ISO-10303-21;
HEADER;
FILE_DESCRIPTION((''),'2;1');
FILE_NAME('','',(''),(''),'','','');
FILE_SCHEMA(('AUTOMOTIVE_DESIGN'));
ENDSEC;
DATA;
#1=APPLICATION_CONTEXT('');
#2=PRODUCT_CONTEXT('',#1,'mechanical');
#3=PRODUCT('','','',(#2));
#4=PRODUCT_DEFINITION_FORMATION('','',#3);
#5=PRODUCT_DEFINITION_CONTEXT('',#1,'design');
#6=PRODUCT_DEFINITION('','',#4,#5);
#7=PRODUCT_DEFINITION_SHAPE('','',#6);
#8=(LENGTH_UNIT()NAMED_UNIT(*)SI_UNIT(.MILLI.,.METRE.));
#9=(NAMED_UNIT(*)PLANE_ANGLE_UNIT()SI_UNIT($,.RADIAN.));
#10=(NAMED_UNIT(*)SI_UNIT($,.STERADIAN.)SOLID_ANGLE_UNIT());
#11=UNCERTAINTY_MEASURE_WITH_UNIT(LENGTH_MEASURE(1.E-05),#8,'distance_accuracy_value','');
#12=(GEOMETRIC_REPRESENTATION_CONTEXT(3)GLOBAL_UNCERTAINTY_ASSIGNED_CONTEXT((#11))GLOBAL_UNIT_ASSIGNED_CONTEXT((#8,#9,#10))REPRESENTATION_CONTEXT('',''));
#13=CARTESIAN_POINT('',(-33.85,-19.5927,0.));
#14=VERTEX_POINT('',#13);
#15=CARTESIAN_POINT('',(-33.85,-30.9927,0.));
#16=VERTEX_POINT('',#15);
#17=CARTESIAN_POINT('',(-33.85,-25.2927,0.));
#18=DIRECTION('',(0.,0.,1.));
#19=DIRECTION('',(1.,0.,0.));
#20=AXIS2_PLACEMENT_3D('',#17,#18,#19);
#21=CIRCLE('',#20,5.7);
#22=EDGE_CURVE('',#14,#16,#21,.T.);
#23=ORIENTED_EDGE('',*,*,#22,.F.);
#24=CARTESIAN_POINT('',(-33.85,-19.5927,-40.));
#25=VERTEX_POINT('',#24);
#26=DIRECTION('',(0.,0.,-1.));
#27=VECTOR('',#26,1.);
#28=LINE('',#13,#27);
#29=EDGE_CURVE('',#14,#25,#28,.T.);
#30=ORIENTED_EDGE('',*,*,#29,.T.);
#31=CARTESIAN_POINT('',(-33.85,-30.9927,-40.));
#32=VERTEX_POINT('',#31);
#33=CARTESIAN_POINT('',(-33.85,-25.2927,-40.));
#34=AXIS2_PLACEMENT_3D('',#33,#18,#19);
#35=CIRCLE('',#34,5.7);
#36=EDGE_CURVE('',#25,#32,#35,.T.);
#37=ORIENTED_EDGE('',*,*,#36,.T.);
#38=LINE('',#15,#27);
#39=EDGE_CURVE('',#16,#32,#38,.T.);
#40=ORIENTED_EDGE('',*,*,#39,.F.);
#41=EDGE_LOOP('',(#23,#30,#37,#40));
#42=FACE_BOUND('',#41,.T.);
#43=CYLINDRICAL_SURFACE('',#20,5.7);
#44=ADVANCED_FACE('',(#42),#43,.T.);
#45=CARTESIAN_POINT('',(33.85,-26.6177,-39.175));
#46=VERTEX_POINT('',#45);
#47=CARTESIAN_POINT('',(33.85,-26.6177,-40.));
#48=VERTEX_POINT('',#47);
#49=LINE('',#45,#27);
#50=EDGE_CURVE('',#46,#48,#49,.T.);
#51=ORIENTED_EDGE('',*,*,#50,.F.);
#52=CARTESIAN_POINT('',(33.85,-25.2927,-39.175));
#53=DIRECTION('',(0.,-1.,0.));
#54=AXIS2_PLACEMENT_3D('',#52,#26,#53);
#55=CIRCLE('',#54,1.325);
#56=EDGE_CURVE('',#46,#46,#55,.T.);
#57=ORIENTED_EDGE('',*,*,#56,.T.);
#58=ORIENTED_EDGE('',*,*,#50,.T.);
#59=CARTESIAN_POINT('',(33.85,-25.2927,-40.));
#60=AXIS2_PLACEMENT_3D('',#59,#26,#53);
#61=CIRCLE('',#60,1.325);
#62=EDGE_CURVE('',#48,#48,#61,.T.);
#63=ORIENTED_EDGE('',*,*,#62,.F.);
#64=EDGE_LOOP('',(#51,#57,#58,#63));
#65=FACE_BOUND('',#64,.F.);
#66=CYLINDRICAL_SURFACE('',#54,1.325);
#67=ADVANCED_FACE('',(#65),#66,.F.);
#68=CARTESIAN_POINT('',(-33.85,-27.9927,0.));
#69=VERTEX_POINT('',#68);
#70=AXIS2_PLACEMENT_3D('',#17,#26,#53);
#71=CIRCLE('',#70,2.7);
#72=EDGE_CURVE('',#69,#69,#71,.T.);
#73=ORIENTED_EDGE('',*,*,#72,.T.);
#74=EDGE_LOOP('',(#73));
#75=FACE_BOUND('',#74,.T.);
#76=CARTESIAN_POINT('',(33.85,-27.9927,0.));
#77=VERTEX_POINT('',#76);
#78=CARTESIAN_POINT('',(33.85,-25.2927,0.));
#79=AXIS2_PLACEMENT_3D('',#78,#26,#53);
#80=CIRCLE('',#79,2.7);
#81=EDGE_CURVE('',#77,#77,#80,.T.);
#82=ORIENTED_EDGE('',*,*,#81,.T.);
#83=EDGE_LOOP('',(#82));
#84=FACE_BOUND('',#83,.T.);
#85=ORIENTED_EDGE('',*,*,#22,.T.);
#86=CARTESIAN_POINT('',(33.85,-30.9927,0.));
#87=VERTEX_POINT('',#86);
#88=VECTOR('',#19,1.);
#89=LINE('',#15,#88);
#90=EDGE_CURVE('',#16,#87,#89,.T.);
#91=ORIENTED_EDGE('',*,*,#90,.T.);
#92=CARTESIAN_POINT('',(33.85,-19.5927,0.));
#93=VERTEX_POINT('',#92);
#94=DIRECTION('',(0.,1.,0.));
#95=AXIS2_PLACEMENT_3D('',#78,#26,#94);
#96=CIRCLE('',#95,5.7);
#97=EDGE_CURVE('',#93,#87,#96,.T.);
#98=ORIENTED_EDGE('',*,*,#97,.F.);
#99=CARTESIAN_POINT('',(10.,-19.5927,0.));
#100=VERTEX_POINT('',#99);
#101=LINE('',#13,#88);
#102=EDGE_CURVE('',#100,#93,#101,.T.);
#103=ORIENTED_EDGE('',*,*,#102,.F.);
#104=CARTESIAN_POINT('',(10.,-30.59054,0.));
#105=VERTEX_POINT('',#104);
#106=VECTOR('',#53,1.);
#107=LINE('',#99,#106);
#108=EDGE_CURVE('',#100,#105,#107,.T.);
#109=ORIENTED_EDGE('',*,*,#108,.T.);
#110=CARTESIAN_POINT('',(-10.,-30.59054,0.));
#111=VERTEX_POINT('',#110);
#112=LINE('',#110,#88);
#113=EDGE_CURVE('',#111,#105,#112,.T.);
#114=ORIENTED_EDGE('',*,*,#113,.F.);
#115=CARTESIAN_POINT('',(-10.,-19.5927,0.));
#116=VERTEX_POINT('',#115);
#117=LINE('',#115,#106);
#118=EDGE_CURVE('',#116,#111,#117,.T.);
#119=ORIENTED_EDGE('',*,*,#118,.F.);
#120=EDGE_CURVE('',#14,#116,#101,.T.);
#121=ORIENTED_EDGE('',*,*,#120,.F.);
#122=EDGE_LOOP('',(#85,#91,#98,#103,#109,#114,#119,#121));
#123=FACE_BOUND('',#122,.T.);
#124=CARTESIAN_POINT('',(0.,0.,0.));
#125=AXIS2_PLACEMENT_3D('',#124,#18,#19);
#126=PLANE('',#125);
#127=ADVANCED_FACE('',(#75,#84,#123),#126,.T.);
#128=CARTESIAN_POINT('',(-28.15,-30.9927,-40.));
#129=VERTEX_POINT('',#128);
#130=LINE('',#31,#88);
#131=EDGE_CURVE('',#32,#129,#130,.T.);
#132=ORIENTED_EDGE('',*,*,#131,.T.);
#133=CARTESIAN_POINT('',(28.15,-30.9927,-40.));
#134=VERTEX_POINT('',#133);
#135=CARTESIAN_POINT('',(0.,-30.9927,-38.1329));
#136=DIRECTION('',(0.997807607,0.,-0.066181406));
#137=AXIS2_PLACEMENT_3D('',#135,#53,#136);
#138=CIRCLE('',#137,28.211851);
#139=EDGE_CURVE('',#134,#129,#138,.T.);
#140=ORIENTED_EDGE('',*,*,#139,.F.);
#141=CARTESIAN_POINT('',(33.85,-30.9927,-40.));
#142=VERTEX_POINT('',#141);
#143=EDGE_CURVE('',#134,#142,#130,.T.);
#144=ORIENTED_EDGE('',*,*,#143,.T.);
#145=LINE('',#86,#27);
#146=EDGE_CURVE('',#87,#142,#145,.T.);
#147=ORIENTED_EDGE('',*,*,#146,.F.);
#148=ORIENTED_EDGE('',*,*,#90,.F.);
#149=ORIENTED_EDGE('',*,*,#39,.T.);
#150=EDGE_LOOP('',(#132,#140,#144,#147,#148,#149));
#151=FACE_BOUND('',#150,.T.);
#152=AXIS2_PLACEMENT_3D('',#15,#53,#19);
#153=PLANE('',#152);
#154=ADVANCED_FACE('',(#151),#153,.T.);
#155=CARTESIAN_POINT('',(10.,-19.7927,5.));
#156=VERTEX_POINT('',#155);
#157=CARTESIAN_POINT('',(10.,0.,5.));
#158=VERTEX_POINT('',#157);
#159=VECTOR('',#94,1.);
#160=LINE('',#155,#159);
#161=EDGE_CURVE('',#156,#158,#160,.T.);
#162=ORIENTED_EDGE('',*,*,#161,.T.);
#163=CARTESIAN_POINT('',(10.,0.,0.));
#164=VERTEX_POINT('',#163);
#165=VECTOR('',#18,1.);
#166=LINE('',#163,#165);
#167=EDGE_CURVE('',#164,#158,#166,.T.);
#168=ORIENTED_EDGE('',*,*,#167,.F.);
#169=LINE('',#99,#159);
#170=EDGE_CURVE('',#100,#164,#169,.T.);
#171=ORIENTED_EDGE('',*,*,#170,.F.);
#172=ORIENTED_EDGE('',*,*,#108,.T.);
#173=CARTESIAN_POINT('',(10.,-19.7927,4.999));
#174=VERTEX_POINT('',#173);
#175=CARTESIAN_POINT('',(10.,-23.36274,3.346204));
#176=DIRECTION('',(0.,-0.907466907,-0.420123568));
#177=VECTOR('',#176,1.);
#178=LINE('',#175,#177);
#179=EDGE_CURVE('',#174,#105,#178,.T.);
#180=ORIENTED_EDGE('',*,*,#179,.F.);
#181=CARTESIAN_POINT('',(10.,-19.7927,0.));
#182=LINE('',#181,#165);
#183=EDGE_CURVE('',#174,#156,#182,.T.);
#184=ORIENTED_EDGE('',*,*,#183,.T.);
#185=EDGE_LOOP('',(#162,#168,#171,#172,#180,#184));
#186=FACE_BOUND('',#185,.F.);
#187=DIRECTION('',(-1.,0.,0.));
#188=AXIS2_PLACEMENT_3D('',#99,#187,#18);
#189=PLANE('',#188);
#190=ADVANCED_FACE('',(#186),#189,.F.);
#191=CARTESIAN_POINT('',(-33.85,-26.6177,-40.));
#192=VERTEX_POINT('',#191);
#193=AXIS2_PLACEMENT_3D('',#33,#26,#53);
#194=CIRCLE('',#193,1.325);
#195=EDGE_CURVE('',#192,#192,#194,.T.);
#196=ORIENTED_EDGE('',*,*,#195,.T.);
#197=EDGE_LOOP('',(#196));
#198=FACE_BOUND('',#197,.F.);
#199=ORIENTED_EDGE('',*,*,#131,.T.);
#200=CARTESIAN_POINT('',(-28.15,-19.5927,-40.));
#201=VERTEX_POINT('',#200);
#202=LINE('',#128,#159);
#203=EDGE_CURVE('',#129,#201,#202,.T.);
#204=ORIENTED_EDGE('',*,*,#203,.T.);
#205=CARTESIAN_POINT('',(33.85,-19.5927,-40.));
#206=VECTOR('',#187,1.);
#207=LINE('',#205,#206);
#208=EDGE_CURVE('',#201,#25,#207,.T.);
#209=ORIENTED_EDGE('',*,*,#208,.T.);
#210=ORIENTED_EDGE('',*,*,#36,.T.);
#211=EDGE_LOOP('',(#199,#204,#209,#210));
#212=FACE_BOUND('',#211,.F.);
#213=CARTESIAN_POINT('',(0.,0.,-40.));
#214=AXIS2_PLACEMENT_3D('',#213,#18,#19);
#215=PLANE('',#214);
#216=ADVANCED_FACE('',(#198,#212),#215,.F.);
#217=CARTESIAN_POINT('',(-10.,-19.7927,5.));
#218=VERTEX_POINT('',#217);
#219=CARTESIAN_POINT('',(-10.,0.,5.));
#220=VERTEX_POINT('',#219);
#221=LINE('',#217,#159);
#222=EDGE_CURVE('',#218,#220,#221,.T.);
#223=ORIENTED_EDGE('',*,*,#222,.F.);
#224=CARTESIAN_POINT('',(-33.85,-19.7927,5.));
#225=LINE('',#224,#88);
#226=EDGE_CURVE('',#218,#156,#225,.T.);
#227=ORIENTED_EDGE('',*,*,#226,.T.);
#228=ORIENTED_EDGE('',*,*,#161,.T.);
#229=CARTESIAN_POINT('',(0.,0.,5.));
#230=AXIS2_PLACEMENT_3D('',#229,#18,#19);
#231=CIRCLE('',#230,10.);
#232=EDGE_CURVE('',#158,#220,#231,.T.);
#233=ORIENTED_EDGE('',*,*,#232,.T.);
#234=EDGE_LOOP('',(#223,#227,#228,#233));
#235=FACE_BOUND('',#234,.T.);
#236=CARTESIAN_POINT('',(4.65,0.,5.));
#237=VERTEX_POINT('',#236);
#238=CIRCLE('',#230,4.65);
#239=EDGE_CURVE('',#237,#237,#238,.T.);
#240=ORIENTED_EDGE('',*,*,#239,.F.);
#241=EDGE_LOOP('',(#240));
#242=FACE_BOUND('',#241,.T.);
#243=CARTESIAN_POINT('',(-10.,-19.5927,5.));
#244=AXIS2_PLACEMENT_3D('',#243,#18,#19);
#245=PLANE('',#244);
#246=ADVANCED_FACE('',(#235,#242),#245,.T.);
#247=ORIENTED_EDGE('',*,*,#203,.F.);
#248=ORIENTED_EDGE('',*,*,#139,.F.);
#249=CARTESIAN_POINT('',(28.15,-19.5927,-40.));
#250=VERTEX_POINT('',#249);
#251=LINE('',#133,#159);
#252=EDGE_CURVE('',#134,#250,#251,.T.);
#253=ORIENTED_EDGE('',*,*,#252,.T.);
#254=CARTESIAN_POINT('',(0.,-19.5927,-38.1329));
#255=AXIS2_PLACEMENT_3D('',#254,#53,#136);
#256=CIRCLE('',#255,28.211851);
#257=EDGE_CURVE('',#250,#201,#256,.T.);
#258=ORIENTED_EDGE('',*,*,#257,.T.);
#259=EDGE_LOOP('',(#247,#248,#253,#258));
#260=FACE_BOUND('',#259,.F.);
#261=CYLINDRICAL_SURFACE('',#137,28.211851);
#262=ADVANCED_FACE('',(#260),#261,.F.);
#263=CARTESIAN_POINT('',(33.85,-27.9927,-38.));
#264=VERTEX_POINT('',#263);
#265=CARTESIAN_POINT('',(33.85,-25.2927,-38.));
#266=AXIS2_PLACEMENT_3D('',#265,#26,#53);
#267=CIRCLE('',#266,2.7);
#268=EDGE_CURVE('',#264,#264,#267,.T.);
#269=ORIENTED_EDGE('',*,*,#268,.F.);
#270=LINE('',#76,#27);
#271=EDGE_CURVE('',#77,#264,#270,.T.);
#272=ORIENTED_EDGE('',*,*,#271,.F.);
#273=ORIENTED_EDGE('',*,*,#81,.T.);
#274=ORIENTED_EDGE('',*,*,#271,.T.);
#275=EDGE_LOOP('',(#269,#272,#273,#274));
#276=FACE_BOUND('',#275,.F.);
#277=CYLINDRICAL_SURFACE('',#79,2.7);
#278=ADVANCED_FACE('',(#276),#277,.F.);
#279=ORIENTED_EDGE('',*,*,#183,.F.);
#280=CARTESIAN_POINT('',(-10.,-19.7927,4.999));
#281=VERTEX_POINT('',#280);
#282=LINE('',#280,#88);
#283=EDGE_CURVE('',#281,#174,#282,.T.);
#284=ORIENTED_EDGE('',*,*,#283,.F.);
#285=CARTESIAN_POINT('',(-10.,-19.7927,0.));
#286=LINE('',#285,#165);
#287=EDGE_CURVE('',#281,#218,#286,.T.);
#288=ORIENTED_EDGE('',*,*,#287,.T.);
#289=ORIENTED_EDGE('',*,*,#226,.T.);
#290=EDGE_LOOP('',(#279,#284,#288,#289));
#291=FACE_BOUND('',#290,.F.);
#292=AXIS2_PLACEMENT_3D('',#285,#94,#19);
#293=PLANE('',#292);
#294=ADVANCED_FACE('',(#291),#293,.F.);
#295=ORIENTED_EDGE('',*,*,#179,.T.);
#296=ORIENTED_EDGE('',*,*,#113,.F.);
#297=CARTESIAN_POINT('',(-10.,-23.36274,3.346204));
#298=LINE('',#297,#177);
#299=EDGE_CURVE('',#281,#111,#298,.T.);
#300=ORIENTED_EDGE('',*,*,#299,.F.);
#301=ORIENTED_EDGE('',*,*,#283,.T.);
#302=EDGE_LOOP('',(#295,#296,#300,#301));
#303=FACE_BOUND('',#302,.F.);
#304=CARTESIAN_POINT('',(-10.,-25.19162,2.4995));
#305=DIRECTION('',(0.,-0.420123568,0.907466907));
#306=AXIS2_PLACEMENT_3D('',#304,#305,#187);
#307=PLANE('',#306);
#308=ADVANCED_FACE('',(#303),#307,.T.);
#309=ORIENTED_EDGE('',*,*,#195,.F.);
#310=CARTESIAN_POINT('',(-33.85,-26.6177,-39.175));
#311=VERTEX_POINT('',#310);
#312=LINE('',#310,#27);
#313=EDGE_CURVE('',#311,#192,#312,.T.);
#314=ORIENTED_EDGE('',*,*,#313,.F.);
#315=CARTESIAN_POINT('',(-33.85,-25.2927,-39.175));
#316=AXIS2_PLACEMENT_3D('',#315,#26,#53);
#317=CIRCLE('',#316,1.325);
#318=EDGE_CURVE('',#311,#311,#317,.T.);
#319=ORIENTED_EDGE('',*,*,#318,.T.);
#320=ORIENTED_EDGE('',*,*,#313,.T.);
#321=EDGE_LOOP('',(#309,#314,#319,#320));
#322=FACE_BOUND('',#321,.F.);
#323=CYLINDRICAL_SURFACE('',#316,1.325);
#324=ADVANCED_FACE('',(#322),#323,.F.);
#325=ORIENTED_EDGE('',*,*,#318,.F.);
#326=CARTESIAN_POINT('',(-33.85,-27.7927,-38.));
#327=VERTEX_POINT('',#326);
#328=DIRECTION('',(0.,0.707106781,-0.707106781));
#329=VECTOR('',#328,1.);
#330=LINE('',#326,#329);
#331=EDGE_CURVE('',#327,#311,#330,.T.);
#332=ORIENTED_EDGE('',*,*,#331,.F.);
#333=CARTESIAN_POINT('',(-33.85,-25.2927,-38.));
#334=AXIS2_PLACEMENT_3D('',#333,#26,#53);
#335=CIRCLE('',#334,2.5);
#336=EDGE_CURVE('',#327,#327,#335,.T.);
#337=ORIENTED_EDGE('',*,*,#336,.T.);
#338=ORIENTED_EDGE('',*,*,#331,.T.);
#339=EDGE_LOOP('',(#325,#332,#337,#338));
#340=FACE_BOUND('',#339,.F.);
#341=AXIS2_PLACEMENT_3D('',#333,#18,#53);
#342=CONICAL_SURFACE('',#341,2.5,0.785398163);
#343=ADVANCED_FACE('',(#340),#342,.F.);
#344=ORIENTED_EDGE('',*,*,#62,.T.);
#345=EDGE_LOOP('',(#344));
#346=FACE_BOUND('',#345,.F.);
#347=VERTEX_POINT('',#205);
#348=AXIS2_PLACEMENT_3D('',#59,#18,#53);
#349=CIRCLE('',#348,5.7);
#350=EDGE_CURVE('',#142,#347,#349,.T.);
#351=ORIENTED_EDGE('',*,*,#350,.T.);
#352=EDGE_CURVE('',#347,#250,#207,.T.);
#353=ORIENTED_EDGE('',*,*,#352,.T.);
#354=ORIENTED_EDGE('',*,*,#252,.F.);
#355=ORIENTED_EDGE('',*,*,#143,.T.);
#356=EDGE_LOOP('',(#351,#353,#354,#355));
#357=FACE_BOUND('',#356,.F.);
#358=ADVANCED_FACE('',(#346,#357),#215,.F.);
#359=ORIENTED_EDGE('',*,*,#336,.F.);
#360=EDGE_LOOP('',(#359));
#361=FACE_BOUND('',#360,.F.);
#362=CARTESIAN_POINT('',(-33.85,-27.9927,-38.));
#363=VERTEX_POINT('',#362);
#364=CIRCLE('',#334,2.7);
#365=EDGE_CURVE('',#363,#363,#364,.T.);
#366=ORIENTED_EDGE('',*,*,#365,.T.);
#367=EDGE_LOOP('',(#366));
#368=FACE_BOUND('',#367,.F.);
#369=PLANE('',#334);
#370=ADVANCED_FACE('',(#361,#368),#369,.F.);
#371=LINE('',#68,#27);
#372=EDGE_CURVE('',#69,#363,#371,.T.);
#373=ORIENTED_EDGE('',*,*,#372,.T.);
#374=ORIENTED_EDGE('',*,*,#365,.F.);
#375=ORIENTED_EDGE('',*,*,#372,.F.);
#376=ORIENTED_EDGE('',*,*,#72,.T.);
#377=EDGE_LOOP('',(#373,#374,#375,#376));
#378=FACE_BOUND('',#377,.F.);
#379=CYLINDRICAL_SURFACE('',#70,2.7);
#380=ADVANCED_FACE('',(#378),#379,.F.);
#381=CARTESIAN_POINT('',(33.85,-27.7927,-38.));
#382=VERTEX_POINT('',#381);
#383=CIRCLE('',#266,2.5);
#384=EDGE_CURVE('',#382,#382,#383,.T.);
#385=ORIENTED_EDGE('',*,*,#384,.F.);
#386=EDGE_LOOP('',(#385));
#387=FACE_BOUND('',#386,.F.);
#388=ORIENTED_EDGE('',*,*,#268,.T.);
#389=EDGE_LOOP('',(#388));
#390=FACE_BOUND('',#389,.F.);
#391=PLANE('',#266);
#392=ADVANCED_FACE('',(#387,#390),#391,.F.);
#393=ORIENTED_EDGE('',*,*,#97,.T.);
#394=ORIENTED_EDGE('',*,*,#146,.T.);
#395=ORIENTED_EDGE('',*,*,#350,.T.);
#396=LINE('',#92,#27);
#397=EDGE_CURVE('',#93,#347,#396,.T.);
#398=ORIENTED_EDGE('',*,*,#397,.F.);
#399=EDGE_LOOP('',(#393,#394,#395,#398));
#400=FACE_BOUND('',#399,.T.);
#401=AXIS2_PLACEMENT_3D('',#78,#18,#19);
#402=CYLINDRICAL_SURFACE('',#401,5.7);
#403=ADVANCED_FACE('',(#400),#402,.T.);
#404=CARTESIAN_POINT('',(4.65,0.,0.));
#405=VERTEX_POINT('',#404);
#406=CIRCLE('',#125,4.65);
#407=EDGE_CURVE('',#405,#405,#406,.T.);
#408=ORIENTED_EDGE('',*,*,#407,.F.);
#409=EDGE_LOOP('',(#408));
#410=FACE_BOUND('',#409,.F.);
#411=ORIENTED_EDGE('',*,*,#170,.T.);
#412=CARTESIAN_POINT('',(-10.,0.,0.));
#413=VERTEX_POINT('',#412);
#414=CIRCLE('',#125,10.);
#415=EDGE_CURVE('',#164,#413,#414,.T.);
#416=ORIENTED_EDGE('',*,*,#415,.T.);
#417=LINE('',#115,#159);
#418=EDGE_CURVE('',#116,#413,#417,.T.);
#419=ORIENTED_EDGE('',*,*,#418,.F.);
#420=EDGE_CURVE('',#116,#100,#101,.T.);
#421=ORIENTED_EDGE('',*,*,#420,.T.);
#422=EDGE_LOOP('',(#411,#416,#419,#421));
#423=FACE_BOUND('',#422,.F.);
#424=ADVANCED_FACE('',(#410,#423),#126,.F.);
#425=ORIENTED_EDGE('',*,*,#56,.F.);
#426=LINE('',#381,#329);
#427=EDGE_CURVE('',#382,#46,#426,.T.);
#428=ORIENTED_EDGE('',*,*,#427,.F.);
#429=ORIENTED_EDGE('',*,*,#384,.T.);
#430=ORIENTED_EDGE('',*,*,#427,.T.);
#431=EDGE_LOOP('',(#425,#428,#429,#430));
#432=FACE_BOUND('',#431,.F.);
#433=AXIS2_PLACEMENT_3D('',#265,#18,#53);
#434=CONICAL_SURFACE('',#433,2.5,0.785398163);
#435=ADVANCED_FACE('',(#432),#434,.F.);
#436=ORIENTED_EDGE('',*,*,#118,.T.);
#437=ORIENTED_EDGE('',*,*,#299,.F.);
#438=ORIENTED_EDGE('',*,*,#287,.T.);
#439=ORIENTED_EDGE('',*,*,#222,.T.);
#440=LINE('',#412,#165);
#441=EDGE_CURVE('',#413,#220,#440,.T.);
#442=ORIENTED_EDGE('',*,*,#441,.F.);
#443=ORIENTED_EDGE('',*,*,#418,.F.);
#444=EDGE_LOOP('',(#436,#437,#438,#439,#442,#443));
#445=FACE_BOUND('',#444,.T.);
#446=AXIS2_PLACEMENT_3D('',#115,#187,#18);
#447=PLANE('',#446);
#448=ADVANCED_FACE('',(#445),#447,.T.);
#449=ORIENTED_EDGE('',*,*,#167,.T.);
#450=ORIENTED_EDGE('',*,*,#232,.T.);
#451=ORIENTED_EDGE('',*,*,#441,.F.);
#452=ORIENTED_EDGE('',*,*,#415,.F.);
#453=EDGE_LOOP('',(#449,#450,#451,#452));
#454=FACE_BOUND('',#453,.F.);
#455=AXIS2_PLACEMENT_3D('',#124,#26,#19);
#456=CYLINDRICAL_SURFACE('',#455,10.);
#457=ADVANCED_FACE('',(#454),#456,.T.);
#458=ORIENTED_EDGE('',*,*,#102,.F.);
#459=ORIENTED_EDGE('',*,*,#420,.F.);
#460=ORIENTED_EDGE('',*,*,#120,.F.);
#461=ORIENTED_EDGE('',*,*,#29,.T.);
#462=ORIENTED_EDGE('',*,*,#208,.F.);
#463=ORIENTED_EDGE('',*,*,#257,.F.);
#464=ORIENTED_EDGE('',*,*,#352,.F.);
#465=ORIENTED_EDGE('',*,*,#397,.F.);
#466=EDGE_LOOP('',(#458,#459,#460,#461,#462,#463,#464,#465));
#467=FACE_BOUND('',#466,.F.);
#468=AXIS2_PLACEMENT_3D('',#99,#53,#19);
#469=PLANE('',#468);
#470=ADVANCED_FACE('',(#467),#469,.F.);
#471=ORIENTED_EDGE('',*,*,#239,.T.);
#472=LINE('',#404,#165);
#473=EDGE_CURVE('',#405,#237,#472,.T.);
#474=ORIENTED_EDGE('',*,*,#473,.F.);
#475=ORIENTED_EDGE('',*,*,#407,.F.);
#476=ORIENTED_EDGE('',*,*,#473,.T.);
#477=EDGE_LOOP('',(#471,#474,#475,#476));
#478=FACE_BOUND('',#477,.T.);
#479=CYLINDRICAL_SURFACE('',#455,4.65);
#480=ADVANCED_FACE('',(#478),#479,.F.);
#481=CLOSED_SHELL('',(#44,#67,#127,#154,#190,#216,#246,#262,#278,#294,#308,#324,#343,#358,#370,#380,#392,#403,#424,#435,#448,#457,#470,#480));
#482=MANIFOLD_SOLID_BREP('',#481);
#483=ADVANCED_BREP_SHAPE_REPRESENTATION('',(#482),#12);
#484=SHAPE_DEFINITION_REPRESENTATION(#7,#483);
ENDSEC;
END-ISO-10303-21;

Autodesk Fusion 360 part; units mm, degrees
sketch "Sketch1" plane through (0, 0, 0) normal (0, 0, 1) x (1, 0, 0)
  circle A0 centre (0, 0) radius 4.65
  circle A1 centre (0, 0) radius 10
  line L0 (-33.85, -25.2927) -> (33.85, -25.2927)
  circle A2 centre (33.85, -25.2927) radius 5.7
  circle A3 centre (-33.85, -25.2927) radius 5.7
  line L1 (-33.85, -30.9927) -> (33.85, -30.9927)
  line L2 (-33.85, -19.5927) -> (33.85, -19.5927)
  line L3 (10, -19.5927) -> (10, 0)
  line L4 (-10, -19.5927) -> (-10, 0)
  line L5 (0.7275, -4.5927) -> (0.7275, -19.5927) construction
  line L6 (0, 0) -> (0, -19.5927) construction
  dimension "d2" = 9.3
  dimension "d3" = 20
  dimension "d9" = 67.7
  dimension "d13" = 11.4
  dimension "d14" = 11.4
  dimension "d37" = 15
extrude "Extrude1" add sketch "Sketch1" along normal blind 5 contours A1 makes body 1
extrude "Extrude2" add sketch "Sketch1" along normal blind 5 contours A1 L2 L3 L4 bodies 1
extrude "Extrude3" add sketch "Sketch1" against normal blind 40 separate body contours L0 A2 A3 L2 | A2 | A3 | L0 A2 A3 L1 makes body 2
extrude "Extrude4" add 1 faces at (-3.3333, -19.5927, 1.6667) along direction (0, -1, 0) blind 0.2 on bodies 1 bodies 1 2
chamfer "Chamfer1" distance 5 distance2 10.8 1 edges at (0, -19.7927, 0) measured on face at (-3.3333, -19.7927, 1.6667) on bodies 1
hole "Hole1" at (-33.85, -25.2927, 0) at (33.85, -25.2927, 0) direction (0, 0, -1) diameter 5.4 depth 38 tip angle 180 bodies 1
hole "Hole2" at (33.85, -25.2927, -38) direction (0, 0, -1) diameter 2.65 depth 2 tip angle 180 countersink diameter 5 countersink angle 90 bodies 1
hole "Hole3" at (-33.85, -25.2927, -38) direction (0, 0, -1) diameter 2.65 depth 2 tip angle 180 countersink diameter 5 countersink angle 90 bodies 1
sketch "Sketch2" plane through (0, -30.9927, 0) normal (0, -1, 0) x (1, 0, 0)
  line L0 (33.85, 0) -> (-33.85, 0)
  line L1 (-33.85, 0) -> (-33.85, -40)
  line L2 (-33.85, -40) -> (33.85, -40)
  line L3 (33.85, -40) -> (33.85, 0)
  line L4 (-33.85, -40) -> (-28.15, -40) construction
  line L5 (33.85, -40) -> (28.15, -40) construction
  arc A0 (28.15, -40) -> (-28.15, -40) centre (0, -38.1329) ccw
  dimension "d39" = 5.7
  dimension "d40" = 5.7
extrude "Extrude5" cut sketch "Sketch2" against normal up to surface (11.4 mm away) contours L2 A0 bodies 1
equation "stemdia = 9.2 mm"
equation "d2 = stemdia + 0.1 mm"
equation "screwwidth = 67.7 mm"
equation "screwheight = 5.6 mm"
equation "d9 = screwwidth"
equation "shiftscrewdia = 2.55 mm"
equation "shiftiscrewdepth = 2 mm"
equation "d13 = standoffwidth"
equation "d14 = standoffwidth"
equation "standoff = 40 mm"
equation "d18 = -standoff"
equation "d23 = standoff - 2 mm"
equation "d36 = ( 5.5 * 2 ) * 1 mm - 0.2 mm"
equation "standoffwidth = 11.4 mm"
equation "d39 = standoffwidth / 2"
equation "d40 = standoffwidth / 2"
